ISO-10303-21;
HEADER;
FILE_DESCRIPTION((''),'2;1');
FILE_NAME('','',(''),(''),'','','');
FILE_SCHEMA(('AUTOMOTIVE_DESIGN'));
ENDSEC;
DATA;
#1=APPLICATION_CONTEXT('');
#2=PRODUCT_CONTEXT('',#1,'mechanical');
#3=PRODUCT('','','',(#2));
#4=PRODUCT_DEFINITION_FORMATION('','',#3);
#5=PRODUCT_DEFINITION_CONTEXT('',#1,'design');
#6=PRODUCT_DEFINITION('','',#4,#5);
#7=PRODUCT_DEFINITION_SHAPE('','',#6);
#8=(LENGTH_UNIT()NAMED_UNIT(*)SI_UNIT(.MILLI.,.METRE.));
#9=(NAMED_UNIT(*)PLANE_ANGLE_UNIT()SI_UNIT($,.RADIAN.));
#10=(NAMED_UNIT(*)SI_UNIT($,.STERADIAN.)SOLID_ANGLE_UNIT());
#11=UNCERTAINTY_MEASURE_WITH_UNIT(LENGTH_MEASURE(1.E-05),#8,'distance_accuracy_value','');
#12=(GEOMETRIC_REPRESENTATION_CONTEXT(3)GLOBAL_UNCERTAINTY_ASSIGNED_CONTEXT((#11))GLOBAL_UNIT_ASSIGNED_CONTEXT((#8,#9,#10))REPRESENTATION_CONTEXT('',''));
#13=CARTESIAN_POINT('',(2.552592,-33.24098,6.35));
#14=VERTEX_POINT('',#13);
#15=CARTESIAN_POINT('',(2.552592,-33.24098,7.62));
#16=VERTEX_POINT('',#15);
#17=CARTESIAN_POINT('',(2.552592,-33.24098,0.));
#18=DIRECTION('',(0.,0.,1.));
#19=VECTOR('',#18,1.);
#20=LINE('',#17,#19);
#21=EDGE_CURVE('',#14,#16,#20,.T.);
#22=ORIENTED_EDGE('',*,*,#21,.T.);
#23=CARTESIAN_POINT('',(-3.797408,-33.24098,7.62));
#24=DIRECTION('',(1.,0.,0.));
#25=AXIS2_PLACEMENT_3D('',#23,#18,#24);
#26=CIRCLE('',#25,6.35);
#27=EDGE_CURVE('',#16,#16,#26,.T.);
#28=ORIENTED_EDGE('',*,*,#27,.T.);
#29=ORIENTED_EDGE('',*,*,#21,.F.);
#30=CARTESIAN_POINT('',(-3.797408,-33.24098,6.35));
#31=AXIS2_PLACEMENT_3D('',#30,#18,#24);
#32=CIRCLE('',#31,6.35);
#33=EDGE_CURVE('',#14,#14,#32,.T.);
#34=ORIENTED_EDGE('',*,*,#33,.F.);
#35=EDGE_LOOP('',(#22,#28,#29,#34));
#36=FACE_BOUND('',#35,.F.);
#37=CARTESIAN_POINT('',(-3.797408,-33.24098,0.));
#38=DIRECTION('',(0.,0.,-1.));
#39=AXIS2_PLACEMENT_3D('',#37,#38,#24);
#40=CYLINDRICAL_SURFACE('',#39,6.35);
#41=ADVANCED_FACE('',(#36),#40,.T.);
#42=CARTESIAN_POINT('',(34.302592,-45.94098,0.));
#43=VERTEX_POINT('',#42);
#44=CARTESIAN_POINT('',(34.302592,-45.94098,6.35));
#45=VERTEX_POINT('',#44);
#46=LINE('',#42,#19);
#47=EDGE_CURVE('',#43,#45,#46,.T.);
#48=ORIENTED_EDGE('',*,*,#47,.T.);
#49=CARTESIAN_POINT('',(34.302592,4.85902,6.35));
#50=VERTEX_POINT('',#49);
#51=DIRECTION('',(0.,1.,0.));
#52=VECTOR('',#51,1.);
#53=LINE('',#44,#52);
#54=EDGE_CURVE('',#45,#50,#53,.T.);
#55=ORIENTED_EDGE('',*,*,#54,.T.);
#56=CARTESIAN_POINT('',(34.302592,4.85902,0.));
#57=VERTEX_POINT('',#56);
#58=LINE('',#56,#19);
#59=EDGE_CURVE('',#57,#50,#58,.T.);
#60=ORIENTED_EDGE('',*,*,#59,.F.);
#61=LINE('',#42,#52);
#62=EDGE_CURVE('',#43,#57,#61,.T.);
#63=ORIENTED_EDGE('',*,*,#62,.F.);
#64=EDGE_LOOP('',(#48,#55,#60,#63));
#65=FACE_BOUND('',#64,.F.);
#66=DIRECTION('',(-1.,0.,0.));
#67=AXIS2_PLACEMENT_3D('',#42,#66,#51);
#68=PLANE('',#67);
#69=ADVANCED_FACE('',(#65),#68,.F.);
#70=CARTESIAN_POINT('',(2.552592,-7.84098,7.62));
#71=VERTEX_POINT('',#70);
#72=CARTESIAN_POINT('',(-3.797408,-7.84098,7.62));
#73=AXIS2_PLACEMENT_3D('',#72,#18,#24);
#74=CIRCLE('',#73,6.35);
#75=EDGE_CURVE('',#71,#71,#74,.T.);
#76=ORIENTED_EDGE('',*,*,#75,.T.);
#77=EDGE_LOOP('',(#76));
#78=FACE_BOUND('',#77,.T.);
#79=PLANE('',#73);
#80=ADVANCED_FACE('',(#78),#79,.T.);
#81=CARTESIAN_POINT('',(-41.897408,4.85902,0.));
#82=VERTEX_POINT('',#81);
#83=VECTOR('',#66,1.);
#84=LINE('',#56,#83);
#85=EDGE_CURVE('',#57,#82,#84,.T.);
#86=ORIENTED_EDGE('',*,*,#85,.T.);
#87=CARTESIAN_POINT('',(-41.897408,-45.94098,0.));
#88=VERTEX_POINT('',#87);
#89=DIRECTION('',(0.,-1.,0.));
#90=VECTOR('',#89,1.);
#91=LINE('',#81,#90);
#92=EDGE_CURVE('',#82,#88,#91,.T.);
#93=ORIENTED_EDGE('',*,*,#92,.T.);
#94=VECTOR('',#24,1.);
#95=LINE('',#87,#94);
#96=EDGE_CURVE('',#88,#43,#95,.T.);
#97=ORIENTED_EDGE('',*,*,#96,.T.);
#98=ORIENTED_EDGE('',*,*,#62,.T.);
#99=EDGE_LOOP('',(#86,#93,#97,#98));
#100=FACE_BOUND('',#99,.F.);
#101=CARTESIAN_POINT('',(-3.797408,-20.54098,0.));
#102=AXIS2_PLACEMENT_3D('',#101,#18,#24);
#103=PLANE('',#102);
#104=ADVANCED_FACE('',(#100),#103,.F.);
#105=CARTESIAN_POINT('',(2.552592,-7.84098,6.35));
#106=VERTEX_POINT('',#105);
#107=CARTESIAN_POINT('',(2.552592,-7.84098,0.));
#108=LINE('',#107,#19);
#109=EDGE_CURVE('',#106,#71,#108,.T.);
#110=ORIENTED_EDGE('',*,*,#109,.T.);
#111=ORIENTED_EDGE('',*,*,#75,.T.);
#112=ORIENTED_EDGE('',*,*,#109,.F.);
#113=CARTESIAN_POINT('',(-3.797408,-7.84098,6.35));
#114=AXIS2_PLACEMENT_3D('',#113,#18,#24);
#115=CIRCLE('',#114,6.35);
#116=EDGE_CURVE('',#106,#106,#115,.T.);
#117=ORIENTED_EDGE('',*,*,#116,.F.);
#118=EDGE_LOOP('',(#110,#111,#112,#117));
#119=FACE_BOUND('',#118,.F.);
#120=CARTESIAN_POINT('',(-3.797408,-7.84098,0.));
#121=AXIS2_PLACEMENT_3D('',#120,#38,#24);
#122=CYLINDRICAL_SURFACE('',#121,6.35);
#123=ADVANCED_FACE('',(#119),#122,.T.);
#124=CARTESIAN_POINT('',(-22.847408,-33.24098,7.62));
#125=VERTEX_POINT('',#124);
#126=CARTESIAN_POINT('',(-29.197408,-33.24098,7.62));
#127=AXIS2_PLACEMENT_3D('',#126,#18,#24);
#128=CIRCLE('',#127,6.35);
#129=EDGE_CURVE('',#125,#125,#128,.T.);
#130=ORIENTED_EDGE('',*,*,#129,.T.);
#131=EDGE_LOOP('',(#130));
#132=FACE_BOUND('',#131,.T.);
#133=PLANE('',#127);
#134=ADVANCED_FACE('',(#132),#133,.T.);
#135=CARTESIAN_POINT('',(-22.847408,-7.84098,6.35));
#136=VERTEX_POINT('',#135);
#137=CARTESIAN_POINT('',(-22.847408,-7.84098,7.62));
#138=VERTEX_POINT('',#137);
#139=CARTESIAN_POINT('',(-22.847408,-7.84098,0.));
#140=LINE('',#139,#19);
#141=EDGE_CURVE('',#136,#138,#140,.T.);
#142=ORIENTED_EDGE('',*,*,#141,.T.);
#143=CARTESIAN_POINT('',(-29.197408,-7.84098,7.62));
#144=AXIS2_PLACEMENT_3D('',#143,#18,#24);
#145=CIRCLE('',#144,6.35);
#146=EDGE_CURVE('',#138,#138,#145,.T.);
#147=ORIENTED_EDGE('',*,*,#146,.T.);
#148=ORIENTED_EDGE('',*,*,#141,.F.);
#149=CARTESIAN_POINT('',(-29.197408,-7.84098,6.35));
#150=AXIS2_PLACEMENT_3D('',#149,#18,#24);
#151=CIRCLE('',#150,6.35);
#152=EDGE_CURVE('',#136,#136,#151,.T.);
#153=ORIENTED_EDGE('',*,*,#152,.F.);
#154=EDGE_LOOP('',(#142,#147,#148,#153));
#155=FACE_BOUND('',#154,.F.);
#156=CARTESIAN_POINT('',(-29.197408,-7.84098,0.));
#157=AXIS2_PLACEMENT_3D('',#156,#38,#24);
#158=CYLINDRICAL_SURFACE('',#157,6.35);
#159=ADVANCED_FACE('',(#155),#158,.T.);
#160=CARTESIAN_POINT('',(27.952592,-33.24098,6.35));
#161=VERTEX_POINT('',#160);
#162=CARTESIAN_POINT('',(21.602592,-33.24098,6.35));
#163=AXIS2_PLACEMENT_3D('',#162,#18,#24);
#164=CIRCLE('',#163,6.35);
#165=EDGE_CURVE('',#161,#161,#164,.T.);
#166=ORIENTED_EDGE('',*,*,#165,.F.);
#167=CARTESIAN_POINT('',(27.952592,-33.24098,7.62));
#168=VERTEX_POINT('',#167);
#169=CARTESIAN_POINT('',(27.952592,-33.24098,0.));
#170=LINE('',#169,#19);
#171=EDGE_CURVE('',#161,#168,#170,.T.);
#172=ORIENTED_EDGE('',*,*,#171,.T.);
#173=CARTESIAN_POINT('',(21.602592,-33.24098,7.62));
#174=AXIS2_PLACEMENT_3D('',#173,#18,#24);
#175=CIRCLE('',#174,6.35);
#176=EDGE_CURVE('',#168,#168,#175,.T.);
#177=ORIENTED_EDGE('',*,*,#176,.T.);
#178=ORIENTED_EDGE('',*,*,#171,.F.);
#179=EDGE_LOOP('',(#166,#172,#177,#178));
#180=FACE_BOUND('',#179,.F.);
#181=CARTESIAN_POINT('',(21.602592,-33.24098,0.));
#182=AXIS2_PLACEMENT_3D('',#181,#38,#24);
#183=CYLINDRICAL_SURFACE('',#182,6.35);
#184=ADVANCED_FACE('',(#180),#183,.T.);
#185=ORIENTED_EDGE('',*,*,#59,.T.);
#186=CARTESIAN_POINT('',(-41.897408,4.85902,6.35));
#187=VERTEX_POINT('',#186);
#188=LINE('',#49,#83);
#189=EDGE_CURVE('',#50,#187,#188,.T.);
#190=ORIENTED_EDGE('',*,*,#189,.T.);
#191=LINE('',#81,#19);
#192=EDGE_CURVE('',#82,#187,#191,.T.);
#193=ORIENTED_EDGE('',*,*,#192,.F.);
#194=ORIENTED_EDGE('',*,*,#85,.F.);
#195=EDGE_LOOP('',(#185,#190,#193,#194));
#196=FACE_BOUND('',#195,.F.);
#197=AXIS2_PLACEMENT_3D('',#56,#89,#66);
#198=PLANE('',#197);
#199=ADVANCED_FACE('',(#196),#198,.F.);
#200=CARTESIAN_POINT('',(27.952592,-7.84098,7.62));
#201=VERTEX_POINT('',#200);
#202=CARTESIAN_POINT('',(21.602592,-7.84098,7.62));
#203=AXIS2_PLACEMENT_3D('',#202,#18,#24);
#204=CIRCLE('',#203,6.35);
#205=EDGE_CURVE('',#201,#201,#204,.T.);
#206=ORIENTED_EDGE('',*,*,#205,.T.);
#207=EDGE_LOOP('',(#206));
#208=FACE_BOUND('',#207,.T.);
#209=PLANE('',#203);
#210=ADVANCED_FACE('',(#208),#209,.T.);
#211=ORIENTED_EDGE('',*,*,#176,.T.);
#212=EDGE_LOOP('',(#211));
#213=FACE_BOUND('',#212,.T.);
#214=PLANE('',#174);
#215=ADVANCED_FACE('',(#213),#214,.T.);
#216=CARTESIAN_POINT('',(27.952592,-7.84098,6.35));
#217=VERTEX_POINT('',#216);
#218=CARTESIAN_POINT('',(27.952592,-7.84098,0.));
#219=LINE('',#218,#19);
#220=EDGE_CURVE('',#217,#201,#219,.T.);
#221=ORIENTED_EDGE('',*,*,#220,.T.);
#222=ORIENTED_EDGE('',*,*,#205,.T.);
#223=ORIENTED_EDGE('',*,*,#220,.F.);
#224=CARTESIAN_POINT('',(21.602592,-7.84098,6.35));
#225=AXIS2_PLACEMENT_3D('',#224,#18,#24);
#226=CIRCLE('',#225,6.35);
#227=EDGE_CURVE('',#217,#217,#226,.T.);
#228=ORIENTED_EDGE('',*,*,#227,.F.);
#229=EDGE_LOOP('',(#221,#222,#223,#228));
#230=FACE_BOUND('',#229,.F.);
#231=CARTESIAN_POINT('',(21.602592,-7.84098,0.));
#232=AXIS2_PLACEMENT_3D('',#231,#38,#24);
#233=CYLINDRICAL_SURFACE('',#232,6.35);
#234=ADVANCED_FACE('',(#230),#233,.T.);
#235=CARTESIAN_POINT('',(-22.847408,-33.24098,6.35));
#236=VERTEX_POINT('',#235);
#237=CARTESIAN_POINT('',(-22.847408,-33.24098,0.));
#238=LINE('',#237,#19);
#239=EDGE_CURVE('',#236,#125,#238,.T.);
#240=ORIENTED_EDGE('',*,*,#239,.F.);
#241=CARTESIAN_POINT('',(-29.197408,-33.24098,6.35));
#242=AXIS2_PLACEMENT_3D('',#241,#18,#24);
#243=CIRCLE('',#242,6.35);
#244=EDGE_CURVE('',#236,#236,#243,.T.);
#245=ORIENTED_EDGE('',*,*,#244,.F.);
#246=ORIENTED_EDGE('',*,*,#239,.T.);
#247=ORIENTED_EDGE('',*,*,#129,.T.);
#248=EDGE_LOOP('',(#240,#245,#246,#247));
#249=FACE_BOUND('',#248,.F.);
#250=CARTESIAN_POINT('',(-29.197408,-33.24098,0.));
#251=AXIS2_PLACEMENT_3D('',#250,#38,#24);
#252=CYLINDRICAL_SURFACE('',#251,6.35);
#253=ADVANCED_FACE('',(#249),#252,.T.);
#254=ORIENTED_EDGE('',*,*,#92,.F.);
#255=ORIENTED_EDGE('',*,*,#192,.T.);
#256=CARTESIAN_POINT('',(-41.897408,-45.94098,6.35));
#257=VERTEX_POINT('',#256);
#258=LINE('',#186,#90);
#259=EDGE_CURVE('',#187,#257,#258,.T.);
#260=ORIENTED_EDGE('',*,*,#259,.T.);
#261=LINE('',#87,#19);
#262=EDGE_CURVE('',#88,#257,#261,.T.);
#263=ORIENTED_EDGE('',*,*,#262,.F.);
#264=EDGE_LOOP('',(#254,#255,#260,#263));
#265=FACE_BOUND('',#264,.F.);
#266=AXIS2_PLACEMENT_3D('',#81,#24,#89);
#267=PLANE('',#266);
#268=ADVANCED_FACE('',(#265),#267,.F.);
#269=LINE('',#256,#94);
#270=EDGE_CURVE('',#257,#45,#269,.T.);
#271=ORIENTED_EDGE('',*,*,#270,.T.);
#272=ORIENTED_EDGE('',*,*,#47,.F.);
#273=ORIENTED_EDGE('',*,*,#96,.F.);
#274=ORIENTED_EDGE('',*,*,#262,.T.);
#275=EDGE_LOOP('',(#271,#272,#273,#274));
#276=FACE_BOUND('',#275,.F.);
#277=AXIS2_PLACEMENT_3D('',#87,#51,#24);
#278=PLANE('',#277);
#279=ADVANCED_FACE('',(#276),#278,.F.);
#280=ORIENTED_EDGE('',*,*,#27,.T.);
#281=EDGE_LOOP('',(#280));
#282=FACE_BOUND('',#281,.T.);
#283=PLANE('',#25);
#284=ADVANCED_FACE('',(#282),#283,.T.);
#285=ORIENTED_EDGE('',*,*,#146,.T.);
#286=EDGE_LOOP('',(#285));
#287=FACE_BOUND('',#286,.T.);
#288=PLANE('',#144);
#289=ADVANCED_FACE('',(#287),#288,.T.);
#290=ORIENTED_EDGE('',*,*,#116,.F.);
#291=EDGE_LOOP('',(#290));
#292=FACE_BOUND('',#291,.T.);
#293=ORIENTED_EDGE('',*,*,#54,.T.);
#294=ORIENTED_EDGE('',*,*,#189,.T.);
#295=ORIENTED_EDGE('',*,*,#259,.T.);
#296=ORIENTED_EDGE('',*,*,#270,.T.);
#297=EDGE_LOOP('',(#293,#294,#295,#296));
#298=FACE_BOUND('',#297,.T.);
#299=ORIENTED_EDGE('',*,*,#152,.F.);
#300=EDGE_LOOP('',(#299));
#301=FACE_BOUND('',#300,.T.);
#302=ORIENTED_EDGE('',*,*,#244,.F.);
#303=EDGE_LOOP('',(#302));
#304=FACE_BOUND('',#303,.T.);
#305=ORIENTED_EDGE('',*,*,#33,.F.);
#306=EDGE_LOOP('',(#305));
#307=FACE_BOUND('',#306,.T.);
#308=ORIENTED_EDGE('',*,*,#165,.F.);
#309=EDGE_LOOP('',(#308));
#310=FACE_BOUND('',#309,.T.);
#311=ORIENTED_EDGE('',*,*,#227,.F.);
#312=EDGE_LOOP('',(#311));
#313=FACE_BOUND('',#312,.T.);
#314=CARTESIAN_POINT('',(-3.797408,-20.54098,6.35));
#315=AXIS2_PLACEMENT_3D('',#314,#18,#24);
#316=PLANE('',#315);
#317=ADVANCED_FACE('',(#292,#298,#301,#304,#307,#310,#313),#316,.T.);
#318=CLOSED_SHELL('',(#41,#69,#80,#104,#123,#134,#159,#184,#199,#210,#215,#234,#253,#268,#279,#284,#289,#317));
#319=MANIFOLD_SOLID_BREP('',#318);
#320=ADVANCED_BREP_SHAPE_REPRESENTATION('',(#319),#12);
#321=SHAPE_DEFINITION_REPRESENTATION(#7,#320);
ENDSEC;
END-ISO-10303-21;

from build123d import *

# Parameters (mm, degrees)
F0_R     = 6.35
F1_DEPTH = 6.35
F2_DEPTH = 7.62


with BuildPart() as f1:
    # F0 (on Top) → F1 (new body)
    with BuildSketch(Plane.XY):
        Polygon((-29.197408, 4.85902), (-41.897408, 4.85902), (-41.897408, -7.84098), (-41.897408, -33.24098), (-41.897408, -45.94098), (34.302592, -45.94098), (34.302592, 4.85902), (21.602592, 4.85902), (-3.797408, 4.85902), align=None)
        with Locations((-29.197408, -33.24098)):
            Circle(F0_R, mode=Mode.SUBTRACT)
        with Locations((-3.797408, -33.24098)):
            Circle(F0_R, mode=Mode.SUBTRACT)
        with Locations((21.602592, -33.24098)):
            Circle(F0_R, mode=Mode.SUBTRACT)
        with Locations((-29.197408, -7.84098)):
            Circle(F0_R, mode=Mode.SUBTRACT)
        with Locations((-3.797408, -7.84098)):
            Circle(F0_R, mode=Mode.SUBTRACT)
        with Locations((21.602592, -7.84098)):
            Circle(F0_R, mode=Mode.SUBTRACT)
    extrude(amount=F1_DEPTH)

    # F0 (on Top) → F2 (join)
    with BuildSketch(Plane.XY):
        with Locations((21.602592, -7.84098)):
            Circle(F0_R)
        with Locations((-3.797408, -7.84098)):
            Circle(F0_R)
        with Locations((-29.197408, -7.84098)):
            Circle(F0_R)
        with Locations((-29.197408, -33.24098)):
            Circle(F0_R)
        with Locations((-3.797408, -33.24098)):
            Circle(F0_R)
        with Locations((21.602592, -33.24098)):
            Circle(F0_R)
    extrude(amount=F2_DEPTH)


solid = f1.part
